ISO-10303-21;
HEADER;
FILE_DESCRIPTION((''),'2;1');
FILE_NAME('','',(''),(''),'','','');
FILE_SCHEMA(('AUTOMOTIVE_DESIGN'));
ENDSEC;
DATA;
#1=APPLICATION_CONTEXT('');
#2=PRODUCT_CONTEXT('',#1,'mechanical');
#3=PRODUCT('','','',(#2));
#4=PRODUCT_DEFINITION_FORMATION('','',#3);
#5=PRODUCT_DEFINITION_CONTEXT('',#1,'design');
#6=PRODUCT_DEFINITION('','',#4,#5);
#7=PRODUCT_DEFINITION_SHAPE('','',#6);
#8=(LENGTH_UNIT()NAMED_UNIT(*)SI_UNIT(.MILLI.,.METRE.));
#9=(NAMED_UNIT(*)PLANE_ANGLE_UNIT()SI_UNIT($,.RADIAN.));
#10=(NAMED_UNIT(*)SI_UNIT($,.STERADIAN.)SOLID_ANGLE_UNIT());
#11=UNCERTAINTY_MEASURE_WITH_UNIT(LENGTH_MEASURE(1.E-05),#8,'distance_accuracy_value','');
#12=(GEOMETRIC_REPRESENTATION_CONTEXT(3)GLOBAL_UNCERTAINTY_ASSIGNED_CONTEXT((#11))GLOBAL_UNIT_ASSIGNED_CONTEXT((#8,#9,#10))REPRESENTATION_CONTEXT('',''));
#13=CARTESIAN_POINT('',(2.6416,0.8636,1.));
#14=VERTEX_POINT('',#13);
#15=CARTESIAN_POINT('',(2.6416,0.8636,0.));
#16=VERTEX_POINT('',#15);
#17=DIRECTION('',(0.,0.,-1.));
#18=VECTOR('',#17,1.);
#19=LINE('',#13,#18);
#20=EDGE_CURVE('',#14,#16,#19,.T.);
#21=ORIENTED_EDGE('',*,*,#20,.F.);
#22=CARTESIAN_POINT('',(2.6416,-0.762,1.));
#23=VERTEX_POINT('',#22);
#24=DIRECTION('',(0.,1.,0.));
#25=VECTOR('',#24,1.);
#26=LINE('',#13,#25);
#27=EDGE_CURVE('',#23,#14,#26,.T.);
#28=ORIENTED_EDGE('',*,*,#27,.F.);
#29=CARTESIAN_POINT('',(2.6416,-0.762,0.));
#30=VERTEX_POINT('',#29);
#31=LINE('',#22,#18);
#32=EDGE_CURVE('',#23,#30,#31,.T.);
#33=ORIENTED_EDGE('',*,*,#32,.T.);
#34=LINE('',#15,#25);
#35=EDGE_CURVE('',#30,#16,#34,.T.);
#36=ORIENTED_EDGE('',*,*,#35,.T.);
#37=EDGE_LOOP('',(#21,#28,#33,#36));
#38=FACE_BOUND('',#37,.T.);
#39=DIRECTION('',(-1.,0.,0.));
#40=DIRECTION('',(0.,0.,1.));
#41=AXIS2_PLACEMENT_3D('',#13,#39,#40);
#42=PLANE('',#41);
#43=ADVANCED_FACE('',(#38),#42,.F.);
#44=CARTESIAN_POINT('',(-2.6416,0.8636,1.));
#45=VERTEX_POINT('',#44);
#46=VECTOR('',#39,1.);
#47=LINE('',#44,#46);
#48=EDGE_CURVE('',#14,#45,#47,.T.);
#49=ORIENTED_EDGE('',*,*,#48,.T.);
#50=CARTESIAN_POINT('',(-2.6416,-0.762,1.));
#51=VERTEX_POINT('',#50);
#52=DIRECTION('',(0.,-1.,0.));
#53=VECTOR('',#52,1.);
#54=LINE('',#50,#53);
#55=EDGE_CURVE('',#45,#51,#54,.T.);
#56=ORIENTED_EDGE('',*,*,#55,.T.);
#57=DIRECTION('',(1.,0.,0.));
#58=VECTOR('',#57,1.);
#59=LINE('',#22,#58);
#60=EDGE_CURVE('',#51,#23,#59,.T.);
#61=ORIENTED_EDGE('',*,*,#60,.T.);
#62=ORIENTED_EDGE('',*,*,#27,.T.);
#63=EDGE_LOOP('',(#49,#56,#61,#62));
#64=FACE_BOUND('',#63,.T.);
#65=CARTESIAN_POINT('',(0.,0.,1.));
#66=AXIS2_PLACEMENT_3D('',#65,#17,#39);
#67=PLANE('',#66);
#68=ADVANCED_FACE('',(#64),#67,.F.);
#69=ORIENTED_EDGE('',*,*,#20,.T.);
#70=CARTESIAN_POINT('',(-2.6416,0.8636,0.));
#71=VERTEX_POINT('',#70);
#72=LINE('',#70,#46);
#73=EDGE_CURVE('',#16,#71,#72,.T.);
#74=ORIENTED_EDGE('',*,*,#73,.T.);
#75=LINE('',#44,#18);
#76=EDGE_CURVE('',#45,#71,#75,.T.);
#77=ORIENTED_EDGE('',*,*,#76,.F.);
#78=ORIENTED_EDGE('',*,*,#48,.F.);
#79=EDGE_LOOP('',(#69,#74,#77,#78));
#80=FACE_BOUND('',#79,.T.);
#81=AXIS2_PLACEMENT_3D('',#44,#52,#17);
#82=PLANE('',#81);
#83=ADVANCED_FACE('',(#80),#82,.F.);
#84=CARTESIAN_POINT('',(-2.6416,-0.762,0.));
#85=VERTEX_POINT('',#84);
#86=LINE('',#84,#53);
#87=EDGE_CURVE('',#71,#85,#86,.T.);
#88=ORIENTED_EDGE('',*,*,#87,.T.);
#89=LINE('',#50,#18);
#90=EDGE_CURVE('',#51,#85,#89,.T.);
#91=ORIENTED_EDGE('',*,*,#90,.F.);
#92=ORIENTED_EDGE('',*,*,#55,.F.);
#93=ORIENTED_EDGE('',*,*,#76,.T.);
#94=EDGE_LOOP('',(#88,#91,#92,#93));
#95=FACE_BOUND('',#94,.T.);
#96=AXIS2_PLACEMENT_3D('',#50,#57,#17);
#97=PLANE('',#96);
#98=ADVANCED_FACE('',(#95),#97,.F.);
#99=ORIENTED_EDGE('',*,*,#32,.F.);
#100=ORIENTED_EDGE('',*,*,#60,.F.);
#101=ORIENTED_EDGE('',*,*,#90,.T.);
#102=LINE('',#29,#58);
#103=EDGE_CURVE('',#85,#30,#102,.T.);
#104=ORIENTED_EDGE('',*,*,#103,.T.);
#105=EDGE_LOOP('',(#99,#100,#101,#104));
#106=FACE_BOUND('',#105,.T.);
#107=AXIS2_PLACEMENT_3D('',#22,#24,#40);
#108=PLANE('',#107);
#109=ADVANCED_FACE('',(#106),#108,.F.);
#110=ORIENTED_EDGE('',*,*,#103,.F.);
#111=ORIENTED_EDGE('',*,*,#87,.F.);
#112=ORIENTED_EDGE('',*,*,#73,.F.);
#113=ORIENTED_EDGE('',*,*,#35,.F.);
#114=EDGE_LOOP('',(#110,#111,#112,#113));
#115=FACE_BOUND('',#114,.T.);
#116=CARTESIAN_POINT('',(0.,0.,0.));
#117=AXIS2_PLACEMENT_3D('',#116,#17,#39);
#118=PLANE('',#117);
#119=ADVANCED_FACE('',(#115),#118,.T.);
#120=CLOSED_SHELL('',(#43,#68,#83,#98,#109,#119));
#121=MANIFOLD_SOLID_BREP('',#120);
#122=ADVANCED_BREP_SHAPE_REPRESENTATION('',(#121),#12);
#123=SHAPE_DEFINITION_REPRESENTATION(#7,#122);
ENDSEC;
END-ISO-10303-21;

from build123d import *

# Parameters (mm, degrees)
SKETCH1_W               = 5.2832
SKETCH1_H               = 1.6256
COMPONENT_OUTLINE_DEPTH = 1


with BuildPart() as part:
    # Sketch1 → Component_Outline (new body)
    with BuildSketch(Plane.XY):
        with Locations((0, 0.0508)):
            Rectangle(SKETCH1_W, SKETCH1_H)
    extrude(amount=COMPONENT_OUTLINE_DEPTH)


solid = part.part
